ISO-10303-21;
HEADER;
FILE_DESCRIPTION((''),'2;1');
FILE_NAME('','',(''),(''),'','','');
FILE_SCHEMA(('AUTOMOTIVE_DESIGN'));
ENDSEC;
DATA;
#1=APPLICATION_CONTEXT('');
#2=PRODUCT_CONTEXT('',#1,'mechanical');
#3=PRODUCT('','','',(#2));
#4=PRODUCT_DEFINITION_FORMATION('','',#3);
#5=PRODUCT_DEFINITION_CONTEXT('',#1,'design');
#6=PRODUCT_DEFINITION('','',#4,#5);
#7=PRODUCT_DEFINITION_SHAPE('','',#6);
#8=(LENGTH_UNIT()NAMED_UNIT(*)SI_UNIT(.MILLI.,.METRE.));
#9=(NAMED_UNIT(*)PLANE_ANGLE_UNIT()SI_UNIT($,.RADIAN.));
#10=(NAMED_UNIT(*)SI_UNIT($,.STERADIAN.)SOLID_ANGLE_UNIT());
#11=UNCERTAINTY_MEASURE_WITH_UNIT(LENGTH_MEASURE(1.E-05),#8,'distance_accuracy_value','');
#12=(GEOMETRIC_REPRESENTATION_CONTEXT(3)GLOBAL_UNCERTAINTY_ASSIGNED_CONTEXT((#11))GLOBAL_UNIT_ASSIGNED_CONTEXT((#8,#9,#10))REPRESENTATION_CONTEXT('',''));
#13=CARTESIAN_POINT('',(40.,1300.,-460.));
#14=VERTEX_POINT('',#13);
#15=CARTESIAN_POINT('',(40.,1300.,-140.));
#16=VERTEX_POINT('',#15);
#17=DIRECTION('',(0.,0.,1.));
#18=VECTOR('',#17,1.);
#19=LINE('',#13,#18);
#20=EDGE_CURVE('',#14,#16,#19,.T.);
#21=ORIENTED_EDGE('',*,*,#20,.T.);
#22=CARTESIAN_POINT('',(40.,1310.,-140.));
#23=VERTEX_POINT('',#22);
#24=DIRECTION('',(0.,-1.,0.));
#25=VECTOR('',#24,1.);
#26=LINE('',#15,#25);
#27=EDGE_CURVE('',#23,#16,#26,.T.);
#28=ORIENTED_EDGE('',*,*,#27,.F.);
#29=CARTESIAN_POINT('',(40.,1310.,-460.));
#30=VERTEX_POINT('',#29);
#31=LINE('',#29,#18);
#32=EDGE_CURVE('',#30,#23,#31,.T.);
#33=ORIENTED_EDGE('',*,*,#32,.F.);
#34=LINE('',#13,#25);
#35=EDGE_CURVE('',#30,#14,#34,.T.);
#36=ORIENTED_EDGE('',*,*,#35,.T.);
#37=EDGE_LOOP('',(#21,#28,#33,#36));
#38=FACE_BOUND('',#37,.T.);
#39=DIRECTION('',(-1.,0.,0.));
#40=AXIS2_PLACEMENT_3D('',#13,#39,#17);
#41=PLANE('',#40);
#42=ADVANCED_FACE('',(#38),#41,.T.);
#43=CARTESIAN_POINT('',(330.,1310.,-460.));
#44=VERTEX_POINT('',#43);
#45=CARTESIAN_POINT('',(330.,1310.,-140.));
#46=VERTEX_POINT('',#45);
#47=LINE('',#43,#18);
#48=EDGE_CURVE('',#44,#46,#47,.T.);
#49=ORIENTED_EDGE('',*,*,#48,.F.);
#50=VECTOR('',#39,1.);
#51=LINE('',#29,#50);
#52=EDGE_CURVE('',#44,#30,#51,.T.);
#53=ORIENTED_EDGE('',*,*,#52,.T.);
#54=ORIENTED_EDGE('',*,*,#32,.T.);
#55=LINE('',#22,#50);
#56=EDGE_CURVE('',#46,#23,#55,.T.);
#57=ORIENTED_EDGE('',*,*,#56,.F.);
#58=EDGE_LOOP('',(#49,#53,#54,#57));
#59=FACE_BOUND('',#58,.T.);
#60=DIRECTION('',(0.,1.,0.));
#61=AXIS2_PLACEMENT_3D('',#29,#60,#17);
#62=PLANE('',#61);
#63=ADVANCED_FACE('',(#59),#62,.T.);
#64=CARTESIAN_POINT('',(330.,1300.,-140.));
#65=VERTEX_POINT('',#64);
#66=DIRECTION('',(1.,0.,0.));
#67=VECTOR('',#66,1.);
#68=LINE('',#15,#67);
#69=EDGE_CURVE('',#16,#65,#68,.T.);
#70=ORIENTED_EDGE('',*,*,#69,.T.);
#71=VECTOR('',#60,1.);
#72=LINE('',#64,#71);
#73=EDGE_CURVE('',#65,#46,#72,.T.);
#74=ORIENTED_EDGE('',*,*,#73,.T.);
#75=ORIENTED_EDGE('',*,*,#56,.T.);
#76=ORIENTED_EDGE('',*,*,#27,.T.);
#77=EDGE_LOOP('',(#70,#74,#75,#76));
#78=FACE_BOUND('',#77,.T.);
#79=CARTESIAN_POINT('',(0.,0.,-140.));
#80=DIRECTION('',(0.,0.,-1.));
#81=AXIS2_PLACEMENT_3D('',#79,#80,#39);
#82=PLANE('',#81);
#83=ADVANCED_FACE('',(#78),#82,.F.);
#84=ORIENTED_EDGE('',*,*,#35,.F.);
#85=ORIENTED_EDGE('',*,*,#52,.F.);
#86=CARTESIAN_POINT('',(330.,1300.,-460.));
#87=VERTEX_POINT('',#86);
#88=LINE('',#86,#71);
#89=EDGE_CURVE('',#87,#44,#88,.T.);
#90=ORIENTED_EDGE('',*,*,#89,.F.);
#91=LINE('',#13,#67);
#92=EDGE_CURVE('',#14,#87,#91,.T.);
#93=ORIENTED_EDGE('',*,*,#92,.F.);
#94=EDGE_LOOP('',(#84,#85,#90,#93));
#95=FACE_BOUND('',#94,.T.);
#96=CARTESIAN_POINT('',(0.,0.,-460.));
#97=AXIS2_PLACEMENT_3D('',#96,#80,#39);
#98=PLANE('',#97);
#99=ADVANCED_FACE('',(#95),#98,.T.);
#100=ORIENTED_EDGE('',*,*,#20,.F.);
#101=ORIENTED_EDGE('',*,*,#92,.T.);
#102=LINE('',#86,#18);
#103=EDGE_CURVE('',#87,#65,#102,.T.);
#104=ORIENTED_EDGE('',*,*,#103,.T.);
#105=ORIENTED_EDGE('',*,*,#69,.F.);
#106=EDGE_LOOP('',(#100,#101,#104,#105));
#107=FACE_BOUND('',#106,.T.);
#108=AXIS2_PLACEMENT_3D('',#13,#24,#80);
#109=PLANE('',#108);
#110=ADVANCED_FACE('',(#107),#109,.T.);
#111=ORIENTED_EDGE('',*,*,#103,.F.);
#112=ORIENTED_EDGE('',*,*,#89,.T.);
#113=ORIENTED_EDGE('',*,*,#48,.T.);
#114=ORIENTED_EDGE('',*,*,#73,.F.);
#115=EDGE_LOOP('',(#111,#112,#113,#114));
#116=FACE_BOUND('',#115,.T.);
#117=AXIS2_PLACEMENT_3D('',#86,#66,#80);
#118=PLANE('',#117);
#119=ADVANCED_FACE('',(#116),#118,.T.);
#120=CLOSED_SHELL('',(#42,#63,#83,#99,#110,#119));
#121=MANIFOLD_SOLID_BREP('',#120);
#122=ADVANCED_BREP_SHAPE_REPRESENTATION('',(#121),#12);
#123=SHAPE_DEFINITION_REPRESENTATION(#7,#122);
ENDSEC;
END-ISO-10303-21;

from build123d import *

# Parameters (mm, degrees)
PRESS_KOVA_TABANI_1_START = -140
SKETCH1_W                 = 290
SKETCH1_H                 = 10
PRESS_KOVA_TABANI_1_DEPTH = 320


with BuildPart() as part:
    # Sketch1 → PRESS_kova_tabani_1 (new body)
    with BuildSketch(Plane.XY.offset(PRESS_KOVA_TABANI_1_START)):
        with Locations((185, 1305)):
            Rectangle(SKETCH1_W, SKETCH1_H)
    extrude(amount=-PRESS_KOVA_TABANI_1_DEPTH)


solid = part.part
